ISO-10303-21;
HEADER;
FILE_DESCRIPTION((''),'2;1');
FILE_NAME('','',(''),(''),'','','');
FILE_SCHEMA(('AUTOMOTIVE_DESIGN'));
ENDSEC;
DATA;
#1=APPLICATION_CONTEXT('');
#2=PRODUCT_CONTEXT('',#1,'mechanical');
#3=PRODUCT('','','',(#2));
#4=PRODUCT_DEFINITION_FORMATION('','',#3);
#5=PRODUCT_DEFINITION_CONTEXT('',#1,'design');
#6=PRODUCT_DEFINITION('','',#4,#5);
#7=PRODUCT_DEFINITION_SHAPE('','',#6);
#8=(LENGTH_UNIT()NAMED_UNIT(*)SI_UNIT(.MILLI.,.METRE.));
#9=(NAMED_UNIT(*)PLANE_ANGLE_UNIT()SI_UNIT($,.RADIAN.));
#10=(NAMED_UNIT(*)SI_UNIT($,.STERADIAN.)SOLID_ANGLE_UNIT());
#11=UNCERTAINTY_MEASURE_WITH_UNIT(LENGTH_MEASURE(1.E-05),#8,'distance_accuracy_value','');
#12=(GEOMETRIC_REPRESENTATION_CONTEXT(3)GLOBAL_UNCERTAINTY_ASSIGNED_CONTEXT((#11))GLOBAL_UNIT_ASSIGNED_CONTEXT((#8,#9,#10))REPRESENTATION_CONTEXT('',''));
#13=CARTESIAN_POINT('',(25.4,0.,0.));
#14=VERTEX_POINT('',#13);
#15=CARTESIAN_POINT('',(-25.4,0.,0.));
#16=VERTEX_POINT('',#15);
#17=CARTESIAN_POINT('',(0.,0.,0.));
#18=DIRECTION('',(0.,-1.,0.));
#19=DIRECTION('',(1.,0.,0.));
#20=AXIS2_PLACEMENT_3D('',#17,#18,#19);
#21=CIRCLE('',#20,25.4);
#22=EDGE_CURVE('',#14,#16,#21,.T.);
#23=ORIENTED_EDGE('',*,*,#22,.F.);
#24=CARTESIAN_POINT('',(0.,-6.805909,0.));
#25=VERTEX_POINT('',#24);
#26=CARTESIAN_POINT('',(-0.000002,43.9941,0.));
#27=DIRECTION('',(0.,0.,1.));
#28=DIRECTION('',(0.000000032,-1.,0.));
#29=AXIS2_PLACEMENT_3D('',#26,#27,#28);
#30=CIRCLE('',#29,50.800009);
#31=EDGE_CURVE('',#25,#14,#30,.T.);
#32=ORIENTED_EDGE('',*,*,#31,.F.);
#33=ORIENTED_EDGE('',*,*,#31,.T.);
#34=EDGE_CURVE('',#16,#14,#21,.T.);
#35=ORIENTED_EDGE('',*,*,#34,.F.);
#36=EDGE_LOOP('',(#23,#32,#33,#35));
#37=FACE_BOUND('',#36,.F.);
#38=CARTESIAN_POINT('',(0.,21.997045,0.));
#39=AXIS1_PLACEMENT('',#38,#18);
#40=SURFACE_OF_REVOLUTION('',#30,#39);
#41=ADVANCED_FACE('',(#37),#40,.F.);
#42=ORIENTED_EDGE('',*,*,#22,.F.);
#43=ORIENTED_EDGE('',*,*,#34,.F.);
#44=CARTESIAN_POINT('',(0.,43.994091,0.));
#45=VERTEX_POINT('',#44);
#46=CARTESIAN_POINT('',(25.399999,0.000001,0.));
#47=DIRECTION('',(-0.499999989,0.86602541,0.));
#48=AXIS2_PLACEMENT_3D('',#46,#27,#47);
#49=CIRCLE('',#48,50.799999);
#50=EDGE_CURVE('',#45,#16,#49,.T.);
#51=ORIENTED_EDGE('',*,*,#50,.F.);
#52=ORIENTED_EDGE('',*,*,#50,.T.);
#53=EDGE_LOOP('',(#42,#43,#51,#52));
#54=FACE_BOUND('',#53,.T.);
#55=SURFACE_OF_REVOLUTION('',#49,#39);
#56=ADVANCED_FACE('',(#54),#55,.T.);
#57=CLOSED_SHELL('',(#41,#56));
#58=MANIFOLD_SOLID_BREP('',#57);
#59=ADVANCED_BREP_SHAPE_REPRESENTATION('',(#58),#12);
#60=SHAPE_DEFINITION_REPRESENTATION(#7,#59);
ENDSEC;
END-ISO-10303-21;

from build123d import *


with BuildPart() as f1:
    # F0 (on Top) → F1 (revolve)
    with BuildSketch(Plane.XY):
        with BuildLine():
            ThreePointArc((0, 43.994091), (-18.594091, 25.4), (-25.4, 0))
            Line((-25.4, 0), (0, 43.994091))
        make_face()
        Polygon((0, 43.994091), (-25.4, 0), (0, 0), align=None)
        with BuildLine():
            Line((25.4, 0), (0, 0))
            Line((0, 0), (0, -6.805909))
            ThreePointArc((0, -6.805909), (13.148007, -5.074941), (25.4, 0))
        make_face()
    revolve(axis=Axis((0, 21.997045, 0), (0, -1, 0)))


solid = f1.part
